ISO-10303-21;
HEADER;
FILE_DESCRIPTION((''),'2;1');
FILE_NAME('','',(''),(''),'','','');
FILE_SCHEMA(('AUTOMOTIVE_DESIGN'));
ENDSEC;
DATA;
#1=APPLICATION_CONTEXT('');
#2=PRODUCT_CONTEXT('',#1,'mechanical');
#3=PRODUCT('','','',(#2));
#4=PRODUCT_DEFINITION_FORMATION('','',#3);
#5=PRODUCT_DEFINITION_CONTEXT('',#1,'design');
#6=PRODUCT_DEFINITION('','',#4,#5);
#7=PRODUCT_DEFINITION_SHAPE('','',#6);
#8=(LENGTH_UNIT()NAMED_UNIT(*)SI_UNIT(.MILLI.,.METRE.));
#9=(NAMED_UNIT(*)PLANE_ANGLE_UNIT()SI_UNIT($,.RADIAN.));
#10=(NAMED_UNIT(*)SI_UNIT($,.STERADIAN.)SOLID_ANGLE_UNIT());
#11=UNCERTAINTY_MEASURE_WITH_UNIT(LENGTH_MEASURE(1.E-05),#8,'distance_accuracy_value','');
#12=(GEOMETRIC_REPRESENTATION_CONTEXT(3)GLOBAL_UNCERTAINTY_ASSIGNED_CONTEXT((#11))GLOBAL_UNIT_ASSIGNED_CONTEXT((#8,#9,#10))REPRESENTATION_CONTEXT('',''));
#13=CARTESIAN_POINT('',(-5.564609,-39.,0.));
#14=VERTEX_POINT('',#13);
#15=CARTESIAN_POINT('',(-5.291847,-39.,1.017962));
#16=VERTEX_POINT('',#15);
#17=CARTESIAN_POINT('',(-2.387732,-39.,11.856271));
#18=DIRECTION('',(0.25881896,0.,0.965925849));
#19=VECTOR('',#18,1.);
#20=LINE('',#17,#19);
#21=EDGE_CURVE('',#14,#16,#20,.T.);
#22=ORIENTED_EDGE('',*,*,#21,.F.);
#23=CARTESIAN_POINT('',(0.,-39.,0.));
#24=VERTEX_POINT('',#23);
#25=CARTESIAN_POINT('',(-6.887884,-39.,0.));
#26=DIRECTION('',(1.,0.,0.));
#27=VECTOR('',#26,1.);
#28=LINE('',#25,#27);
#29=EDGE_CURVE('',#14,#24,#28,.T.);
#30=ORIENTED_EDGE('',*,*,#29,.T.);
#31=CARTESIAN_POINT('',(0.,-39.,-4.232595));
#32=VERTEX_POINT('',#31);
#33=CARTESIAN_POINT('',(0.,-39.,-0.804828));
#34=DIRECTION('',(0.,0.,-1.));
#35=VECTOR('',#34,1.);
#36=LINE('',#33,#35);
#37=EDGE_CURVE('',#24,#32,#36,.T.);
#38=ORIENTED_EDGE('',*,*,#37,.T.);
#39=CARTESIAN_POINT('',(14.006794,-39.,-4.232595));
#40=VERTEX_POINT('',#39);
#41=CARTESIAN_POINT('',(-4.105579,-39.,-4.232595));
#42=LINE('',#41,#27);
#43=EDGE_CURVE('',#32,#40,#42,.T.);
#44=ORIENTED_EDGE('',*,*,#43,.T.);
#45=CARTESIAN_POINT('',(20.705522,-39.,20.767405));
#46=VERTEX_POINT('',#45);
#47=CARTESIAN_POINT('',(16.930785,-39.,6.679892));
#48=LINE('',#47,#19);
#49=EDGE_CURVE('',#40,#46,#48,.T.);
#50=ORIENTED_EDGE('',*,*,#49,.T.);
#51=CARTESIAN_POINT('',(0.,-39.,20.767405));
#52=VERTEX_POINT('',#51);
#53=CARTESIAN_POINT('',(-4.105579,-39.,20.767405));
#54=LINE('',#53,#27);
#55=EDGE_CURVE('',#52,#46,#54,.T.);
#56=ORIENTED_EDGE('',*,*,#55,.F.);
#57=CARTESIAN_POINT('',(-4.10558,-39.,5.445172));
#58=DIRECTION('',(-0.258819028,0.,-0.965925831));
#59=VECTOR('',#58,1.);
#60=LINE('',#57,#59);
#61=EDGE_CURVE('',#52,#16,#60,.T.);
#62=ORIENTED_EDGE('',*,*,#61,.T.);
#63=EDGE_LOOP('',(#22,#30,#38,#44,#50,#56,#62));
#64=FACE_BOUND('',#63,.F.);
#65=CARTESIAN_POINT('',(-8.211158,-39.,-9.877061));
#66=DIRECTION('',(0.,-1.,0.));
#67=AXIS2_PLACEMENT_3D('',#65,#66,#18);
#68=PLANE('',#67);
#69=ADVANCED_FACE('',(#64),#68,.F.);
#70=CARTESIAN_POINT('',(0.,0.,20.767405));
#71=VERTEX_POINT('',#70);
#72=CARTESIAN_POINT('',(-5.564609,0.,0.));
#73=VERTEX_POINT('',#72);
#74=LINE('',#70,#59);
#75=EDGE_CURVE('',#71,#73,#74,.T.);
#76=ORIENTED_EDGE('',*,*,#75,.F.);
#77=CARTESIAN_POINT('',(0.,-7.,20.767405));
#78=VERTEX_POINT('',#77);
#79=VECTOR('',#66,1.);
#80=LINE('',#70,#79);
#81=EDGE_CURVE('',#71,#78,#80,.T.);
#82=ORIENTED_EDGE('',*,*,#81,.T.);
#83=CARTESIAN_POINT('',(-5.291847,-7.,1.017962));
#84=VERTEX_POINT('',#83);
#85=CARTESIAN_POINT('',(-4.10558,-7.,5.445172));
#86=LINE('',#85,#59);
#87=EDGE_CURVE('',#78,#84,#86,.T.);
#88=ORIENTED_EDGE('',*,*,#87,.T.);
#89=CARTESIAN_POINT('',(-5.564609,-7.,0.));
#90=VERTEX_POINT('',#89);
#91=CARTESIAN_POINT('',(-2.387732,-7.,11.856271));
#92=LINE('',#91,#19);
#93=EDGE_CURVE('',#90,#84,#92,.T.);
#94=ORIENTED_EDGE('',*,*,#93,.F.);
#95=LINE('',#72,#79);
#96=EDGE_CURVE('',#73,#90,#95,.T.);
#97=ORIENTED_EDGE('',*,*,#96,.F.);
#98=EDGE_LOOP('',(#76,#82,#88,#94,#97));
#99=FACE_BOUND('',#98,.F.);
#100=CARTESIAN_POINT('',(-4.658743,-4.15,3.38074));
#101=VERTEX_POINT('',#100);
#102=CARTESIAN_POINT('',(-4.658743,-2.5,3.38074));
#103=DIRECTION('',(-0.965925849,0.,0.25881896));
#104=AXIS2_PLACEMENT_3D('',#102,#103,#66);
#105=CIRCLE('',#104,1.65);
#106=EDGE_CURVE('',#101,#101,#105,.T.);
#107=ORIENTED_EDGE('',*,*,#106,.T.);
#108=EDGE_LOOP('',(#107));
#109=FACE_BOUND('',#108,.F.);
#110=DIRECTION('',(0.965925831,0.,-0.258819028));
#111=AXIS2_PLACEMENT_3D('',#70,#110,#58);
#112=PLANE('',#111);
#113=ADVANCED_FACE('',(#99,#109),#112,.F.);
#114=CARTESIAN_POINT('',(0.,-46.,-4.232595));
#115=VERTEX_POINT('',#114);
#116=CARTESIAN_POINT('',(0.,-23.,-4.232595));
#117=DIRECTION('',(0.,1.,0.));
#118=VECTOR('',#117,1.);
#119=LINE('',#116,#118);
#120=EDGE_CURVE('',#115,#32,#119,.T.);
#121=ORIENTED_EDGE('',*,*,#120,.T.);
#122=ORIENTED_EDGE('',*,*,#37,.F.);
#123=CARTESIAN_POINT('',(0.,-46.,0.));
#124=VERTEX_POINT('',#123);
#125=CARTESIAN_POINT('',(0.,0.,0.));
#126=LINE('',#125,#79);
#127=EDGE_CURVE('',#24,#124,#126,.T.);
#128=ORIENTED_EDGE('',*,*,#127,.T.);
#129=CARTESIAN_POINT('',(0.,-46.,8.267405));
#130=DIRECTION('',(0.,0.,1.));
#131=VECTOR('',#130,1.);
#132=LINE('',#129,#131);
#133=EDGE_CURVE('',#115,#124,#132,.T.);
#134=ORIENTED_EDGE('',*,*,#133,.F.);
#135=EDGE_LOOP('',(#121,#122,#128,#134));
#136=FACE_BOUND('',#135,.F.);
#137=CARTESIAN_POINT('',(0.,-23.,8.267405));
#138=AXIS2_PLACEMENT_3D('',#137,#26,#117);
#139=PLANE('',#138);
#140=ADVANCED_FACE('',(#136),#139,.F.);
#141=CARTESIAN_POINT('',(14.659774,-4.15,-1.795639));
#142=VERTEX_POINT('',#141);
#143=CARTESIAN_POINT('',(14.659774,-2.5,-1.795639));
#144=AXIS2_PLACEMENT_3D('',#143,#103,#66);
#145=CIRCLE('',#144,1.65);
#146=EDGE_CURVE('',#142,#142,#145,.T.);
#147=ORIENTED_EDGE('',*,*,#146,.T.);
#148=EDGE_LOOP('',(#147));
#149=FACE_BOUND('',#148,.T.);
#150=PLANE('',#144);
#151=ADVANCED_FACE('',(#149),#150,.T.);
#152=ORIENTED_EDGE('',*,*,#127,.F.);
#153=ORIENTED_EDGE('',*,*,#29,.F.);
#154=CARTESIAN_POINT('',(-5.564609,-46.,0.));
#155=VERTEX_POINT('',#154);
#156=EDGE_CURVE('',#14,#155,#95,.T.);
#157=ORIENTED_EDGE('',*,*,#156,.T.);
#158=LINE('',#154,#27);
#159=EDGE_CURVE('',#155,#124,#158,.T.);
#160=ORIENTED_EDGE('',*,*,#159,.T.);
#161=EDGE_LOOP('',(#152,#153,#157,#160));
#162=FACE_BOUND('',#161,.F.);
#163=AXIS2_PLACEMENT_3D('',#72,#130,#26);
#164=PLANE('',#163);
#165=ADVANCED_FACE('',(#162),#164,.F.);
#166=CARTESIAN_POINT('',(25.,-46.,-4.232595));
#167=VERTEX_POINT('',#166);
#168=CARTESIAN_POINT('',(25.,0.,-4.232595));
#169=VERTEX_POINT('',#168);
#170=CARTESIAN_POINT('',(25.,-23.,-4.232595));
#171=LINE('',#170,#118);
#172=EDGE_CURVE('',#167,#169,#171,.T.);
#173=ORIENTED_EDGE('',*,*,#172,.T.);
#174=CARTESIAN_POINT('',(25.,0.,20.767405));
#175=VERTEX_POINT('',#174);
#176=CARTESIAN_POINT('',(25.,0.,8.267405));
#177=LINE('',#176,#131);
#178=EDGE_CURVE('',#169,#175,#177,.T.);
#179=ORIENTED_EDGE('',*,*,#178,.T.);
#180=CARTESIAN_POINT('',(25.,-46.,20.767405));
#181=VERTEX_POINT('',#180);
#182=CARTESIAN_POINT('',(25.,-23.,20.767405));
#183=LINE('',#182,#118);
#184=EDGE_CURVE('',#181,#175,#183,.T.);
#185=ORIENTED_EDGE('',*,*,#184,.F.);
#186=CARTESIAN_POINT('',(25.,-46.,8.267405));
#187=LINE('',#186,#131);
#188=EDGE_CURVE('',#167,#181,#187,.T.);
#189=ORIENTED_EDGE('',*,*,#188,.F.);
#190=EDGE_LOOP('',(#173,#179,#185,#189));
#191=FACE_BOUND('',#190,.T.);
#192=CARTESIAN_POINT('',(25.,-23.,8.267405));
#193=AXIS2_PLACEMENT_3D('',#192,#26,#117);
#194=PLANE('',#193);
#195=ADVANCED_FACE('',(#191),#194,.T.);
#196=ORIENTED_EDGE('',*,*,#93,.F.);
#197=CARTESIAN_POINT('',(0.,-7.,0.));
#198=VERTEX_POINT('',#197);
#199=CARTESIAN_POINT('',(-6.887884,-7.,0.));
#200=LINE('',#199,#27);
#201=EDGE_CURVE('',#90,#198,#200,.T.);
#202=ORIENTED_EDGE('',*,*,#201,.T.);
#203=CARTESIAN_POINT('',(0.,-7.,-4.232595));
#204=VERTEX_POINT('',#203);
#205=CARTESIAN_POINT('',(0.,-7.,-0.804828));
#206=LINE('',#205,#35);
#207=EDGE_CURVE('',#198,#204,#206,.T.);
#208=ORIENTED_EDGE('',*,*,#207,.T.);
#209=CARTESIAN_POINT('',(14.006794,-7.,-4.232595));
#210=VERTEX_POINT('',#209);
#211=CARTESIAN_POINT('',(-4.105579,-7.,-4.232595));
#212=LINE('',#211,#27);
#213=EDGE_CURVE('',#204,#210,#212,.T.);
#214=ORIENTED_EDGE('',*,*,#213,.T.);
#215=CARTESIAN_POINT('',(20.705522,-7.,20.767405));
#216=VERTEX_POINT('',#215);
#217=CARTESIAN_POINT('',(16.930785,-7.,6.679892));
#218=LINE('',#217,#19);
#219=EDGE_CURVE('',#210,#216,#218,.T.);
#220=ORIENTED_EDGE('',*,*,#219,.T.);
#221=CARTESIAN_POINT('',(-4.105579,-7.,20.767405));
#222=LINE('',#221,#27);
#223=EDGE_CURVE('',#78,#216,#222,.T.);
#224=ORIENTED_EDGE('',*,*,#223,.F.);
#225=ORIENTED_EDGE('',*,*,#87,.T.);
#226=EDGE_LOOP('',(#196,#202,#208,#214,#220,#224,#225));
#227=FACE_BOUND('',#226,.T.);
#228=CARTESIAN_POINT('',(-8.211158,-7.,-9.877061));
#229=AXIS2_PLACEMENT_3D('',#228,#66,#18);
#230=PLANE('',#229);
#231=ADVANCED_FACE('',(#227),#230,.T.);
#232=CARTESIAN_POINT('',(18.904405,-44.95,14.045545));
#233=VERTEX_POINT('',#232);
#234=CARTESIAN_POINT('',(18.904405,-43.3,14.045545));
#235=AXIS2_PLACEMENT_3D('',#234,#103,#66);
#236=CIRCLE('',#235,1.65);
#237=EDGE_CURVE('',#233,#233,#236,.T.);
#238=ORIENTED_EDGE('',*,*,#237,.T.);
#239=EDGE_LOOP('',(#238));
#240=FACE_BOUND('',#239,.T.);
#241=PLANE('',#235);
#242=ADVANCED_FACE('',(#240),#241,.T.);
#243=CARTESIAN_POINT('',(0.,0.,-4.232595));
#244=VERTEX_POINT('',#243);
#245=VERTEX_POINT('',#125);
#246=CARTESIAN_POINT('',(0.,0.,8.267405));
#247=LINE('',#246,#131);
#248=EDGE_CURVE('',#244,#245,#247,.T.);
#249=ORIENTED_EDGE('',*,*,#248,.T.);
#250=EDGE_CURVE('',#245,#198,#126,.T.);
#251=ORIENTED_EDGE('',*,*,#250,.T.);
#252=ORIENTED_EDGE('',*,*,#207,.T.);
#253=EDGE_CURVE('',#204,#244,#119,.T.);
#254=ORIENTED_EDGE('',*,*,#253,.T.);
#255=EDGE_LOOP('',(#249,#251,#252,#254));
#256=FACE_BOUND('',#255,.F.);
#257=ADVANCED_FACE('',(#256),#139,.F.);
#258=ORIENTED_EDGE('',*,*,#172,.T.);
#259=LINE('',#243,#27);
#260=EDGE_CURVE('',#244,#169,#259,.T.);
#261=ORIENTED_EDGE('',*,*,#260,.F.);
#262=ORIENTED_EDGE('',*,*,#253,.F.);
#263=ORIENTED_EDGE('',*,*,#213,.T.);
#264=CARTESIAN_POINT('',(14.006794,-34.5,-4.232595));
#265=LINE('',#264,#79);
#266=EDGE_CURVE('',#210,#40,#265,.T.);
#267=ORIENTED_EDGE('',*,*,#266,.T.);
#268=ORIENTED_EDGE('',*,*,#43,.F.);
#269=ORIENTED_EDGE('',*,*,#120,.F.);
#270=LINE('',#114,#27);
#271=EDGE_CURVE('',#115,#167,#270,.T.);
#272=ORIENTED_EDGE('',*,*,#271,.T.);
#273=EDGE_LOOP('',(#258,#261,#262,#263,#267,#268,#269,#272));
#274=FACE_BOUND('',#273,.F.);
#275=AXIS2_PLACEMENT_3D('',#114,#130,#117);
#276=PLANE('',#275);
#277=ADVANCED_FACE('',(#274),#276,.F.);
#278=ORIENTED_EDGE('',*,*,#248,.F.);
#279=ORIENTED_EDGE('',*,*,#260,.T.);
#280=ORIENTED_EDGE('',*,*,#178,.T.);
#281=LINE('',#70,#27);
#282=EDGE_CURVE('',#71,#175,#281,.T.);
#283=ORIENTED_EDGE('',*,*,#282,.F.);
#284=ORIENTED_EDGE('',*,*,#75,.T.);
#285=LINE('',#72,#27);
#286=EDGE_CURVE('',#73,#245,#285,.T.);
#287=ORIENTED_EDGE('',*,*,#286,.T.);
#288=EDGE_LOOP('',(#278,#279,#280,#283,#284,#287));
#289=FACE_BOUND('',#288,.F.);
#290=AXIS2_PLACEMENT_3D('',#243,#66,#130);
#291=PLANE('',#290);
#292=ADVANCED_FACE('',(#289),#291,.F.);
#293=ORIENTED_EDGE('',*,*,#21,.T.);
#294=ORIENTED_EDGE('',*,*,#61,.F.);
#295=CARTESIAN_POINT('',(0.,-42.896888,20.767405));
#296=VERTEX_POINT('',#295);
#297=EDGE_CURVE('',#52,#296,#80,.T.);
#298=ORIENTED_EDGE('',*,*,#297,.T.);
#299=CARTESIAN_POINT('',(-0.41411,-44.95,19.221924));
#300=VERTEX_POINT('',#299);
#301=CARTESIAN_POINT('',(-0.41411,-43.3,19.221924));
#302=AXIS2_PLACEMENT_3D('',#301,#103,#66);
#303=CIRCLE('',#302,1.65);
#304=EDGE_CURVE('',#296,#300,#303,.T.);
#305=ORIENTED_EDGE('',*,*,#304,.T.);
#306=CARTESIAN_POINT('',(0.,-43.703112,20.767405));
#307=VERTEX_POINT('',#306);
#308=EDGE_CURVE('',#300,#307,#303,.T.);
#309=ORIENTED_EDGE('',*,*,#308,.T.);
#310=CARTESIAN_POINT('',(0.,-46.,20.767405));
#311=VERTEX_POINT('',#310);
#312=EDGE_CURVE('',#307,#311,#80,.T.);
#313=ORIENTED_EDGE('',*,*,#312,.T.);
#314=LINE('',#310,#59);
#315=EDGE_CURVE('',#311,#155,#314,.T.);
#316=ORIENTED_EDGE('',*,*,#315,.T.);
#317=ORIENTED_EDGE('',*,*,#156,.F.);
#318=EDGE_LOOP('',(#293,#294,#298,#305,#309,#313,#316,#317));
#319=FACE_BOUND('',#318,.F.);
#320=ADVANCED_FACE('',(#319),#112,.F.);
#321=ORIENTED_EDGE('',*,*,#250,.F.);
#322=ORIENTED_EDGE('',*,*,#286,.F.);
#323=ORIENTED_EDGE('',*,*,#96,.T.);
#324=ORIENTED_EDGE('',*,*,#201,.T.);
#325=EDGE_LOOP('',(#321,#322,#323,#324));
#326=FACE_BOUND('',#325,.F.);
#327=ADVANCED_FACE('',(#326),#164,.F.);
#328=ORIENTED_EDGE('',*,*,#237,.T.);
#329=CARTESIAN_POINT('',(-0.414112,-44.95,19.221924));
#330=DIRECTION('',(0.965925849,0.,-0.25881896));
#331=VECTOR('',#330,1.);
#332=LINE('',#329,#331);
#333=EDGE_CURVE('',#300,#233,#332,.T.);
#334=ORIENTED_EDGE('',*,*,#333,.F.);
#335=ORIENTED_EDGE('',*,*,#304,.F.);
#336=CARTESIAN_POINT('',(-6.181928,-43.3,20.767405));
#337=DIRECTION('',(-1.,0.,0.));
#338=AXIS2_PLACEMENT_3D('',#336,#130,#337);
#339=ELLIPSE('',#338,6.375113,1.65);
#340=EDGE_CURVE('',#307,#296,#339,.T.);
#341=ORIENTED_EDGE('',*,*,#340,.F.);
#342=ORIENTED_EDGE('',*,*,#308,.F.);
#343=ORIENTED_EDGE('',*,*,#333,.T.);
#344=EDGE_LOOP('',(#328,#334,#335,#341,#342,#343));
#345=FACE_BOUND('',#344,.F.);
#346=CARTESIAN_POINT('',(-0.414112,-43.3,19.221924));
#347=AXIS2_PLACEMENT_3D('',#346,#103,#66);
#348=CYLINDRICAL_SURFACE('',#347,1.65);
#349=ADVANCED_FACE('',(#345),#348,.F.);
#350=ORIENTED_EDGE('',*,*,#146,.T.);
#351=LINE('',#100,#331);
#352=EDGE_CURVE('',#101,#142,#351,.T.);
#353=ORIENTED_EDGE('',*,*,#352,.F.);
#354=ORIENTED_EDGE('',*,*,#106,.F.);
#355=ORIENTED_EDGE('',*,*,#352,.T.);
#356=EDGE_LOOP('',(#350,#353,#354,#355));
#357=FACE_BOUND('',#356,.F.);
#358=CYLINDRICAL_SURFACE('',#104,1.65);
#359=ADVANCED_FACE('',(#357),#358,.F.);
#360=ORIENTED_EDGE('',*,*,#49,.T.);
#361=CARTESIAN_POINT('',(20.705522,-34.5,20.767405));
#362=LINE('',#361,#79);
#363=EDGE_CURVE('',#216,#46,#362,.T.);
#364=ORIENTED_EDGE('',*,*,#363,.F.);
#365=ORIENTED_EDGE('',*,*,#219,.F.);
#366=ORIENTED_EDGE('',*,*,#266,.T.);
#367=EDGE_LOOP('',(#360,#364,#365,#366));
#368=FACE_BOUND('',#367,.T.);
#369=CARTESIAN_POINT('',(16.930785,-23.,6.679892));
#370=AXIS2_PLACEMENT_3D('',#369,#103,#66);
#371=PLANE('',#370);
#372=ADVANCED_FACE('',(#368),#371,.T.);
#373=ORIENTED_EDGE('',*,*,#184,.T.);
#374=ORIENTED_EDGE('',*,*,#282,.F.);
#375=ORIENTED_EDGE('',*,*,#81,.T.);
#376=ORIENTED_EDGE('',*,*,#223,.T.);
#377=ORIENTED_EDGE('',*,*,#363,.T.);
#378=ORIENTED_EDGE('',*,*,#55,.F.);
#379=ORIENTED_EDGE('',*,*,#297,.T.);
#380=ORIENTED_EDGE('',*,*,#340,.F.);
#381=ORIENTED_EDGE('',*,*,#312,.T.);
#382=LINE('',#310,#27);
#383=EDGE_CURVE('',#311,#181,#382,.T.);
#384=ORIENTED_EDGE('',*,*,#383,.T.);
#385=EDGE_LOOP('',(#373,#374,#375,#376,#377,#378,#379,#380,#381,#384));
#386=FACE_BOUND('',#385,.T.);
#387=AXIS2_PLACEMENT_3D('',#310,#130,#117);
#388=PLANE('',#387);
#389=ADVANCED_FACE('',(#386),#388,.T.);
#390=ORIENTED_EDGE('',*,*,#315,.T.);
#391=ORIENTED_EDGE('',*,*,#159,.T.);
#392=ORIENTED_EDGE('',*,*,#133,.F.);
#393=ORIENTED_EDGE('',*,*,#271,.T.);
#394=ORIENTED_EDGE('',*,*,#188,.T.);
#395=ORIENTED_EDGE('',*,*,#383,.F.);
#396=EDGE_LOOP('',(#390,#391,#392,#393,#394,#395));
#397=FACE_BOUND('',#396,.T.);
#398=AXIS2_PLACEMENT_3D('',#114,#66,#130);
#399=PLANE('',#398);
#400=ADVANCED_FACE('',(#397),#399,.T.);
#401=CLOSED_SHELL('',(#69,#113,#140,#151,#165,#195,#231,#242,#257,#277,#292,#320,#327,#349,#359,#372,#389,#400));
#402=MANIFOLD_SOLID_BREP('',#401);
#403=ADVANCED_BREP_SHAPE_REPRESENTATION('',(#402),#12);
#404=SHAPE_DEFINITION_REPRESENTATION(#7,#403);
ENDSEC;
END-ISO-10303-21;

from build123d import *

# Parameters (mm, degrees)
F1_DEPTH = 46
F3_W     = 46
F3_H     = 25
F5_DEPTH = 25
F4_W     = 32
F4_H     = 45
F6_DEPTH = 20
F2_R     = 1.65
F7_DEPTH = 20


with BuildPart() as f1:
    # F0 (on Front) → F1 (new body)
    with BuildSketch(Plane.XZ):
        Polygon((-5.564609, 0), (0, 0), (0, 20.767405), align=None)
    extrude(amount=F1_DEPTH)

    # F3 (on face) → F5 (join)
    with BuildSketch(Plane.YZ):
        with Locations((-23, 8.267405)):
            Rectangle(F3_W, F3_H)
    extrude(amount=F5_DEPTH)

    # F4 (on face) → F6 (cut)
    with BuildSketch(Plane(origin=(-5.191851, 0, 1.391152), x_dir=(0, -1, 0), z_dir=(-0.965926, 0, 0.258819))):
        with Locations((23, 10.834288)):
            Rectangle(F4_W, F4_H)
    extrude(amount=-F6_DEPTH, mode=Mode.SUBTRACT)

    # F2 (on face) → F7 (cut)
    with BuildSketch(Plane(origin=(-5.191851, 0, 1.391152), x_dir=(0, -1, 0), z_dir=(-0.965926, 0, 0.258819))):
        with Locations((2.5, 2.059773)):
            Circle(F2_R)
        with Locations((43.3, 18.459773)):
            Circle(F2_R)
    extrude(amount=-F7_DEPTH, mode=Mode.SUBTRACT)


solid = f1.part
